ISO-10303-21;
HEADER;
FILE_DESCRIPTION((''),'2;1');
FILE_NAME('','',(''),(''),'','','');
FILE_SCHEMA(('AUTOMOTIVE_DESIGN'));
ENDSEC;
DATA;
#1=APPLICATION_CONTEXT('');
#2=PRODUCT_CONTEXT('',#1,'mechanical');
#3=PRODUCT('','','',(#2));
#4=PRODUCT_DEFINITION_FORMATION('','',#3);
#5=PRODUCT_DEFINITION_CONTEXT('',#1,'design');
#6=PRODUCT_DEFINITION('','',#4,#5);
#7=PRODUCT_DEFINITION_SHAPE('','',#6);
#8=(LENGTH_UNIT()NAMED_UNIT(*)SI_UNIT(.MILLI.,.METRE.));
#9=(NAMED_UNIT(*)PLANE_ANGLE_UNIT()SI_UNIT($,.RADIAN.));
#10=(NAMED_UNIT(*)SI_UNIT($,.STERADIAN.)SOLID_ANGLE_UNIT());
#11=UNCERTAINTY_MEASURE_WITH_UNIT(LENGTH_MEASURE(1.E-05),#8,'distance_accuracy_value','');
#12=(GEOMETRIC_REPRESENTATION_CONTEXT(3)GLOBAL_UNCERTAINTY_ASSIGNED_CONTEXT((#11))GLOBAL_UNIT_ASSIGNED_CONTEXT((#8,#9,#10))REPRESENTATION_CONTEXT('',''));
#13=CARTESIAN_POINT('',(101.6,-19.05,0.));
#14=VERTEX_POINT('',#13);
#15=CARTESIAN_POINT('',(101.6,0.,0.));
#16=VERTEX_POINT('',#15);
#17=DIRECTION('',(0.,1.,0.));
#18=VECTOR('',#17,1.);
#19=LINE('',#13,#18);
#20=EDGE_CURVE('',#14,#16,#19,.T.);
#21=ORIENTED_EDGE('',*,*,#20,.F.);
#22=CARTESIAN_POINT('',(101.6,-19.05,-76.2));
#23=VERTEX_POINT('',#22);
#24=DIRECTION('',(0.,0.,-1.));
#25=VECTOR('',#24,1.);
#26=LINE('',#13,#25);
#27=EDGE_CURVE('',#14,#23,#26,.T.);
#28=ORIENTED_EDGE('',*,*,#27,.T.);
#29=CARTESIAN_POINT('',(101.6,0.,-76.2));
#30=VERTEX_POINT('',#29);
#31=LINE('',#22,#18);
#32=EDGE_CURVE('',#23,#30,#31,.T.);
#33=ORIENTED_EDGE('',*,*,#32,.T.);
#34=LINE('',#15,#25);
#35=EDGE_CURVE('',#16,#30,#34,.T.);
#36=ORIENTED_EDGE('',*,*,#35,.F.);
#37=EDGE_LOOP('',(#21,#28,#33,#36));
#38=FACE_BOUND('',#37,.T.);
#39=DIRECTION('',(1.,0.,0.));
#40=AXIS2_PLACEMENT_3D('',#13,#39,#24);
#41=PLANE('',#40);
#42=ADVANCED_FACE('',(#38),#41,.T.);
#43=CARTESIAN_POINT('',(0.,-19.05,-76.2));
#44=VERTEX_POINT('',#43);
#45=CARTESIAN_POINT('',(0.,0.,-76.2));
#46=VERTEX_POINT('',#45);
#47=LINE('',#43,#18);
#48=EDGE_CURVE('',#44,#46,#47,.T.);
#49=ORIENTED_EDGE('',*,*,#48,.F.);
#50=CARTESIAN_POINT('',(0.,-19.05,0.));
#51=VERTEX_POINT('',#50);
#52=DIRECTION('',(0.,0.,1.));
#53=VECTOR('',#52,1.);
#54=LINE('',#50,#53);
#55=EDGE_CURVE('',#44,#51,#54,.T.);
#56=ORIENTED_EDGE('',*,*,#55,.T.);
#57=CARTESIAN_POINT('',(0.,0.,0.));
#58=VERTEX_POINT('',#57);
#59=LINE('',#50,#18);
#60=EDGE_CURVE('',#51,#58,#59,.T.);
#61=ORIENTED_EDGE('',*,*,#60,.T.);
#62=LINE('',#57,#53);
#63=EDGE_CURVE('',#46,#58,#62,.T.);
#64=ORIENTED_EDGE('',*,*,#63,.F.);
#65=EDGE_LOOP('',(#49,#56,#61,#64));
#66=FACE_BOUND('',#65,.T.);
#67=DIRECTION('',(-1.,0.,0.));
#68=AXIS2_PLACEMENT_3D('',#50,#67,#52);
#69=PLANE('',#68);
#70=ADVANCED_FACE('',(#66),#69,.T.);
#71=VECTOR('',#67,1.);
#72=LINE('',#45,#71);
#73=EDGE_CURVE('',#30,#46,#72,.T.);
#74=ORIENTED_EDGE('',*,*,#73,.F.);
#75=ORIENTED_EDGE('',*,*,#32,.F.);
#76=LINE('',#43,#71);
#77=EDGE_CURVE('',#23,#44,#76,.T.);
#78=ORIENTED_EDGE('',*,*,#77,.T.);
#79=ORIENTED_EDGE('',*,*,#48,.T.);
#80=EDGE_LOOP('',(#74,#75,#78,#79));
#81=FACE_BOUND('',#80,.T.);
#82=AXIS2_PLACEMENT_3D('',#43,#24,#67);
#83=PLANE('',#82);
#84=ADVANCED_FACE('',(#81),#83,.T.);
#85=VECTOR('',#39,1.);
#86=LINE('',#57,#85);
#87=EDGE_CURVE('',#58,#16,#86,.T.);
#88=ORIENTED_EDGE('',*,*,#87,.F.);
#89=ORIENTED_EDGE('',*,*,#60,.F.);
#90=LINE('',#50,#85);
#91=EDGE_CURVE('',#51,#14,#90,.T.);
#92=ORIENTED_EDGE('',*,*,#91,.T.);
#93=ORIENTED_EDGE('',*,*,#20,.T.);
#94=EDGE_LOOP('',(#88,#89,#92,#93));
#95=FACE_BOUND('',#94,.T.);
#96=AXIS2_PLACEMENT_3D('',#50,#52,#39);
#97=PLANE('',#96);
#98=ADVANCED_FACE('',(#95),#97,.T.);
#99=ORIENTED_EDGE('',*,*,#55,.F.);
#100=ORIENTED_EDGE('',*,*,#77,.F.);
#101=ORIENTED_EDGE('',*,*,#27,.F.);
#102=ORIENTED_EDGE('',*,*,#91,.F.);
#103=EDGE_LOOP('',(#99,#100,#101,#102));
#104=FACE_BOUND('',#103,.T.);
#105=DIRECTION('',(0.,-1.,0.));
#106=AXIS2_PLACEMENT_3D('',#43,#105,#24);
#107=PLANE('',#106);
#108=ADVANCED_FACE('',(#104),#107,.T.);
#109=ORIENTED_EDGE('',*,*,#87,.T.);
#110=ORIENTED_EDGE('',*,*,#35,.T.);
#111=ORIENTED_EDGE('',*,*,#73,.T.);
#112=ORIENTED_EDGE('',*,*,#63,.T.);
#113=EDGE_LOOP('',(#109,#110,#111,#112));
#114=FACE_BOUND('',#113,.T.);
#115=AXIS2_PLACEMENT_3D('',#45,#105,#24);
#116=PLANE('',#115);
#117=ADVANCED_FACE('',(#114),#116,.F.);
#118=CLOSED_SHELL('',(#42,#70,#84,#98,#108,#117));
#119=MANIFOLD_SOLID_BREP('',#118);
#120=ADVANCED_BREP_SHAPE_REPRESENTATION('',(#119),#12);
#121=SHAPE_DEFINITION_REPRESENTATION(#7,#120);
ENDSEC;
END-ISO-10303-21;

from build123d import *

# Parameters (mm, degrees)
SKETCH14_W     = 101.6
SKETCH14_H     = 76.2
EXTRUDE5_DEPTH = 19.05


with BuildPart() as part:
    # Sketch14 → Extrude5 (new body)
    with BuildSketch(Plane(origin=(0, 0, 0), x_dir=(1, 0, 0), z_dir=(0, 1, 0))):
        with Locations((50.8, 38.1)):
            Rectangle(SKETCH14_W, SKETCH14_H)
    extrude(amount=-EXTRUDE5_DEPTH)


solid = part.part
